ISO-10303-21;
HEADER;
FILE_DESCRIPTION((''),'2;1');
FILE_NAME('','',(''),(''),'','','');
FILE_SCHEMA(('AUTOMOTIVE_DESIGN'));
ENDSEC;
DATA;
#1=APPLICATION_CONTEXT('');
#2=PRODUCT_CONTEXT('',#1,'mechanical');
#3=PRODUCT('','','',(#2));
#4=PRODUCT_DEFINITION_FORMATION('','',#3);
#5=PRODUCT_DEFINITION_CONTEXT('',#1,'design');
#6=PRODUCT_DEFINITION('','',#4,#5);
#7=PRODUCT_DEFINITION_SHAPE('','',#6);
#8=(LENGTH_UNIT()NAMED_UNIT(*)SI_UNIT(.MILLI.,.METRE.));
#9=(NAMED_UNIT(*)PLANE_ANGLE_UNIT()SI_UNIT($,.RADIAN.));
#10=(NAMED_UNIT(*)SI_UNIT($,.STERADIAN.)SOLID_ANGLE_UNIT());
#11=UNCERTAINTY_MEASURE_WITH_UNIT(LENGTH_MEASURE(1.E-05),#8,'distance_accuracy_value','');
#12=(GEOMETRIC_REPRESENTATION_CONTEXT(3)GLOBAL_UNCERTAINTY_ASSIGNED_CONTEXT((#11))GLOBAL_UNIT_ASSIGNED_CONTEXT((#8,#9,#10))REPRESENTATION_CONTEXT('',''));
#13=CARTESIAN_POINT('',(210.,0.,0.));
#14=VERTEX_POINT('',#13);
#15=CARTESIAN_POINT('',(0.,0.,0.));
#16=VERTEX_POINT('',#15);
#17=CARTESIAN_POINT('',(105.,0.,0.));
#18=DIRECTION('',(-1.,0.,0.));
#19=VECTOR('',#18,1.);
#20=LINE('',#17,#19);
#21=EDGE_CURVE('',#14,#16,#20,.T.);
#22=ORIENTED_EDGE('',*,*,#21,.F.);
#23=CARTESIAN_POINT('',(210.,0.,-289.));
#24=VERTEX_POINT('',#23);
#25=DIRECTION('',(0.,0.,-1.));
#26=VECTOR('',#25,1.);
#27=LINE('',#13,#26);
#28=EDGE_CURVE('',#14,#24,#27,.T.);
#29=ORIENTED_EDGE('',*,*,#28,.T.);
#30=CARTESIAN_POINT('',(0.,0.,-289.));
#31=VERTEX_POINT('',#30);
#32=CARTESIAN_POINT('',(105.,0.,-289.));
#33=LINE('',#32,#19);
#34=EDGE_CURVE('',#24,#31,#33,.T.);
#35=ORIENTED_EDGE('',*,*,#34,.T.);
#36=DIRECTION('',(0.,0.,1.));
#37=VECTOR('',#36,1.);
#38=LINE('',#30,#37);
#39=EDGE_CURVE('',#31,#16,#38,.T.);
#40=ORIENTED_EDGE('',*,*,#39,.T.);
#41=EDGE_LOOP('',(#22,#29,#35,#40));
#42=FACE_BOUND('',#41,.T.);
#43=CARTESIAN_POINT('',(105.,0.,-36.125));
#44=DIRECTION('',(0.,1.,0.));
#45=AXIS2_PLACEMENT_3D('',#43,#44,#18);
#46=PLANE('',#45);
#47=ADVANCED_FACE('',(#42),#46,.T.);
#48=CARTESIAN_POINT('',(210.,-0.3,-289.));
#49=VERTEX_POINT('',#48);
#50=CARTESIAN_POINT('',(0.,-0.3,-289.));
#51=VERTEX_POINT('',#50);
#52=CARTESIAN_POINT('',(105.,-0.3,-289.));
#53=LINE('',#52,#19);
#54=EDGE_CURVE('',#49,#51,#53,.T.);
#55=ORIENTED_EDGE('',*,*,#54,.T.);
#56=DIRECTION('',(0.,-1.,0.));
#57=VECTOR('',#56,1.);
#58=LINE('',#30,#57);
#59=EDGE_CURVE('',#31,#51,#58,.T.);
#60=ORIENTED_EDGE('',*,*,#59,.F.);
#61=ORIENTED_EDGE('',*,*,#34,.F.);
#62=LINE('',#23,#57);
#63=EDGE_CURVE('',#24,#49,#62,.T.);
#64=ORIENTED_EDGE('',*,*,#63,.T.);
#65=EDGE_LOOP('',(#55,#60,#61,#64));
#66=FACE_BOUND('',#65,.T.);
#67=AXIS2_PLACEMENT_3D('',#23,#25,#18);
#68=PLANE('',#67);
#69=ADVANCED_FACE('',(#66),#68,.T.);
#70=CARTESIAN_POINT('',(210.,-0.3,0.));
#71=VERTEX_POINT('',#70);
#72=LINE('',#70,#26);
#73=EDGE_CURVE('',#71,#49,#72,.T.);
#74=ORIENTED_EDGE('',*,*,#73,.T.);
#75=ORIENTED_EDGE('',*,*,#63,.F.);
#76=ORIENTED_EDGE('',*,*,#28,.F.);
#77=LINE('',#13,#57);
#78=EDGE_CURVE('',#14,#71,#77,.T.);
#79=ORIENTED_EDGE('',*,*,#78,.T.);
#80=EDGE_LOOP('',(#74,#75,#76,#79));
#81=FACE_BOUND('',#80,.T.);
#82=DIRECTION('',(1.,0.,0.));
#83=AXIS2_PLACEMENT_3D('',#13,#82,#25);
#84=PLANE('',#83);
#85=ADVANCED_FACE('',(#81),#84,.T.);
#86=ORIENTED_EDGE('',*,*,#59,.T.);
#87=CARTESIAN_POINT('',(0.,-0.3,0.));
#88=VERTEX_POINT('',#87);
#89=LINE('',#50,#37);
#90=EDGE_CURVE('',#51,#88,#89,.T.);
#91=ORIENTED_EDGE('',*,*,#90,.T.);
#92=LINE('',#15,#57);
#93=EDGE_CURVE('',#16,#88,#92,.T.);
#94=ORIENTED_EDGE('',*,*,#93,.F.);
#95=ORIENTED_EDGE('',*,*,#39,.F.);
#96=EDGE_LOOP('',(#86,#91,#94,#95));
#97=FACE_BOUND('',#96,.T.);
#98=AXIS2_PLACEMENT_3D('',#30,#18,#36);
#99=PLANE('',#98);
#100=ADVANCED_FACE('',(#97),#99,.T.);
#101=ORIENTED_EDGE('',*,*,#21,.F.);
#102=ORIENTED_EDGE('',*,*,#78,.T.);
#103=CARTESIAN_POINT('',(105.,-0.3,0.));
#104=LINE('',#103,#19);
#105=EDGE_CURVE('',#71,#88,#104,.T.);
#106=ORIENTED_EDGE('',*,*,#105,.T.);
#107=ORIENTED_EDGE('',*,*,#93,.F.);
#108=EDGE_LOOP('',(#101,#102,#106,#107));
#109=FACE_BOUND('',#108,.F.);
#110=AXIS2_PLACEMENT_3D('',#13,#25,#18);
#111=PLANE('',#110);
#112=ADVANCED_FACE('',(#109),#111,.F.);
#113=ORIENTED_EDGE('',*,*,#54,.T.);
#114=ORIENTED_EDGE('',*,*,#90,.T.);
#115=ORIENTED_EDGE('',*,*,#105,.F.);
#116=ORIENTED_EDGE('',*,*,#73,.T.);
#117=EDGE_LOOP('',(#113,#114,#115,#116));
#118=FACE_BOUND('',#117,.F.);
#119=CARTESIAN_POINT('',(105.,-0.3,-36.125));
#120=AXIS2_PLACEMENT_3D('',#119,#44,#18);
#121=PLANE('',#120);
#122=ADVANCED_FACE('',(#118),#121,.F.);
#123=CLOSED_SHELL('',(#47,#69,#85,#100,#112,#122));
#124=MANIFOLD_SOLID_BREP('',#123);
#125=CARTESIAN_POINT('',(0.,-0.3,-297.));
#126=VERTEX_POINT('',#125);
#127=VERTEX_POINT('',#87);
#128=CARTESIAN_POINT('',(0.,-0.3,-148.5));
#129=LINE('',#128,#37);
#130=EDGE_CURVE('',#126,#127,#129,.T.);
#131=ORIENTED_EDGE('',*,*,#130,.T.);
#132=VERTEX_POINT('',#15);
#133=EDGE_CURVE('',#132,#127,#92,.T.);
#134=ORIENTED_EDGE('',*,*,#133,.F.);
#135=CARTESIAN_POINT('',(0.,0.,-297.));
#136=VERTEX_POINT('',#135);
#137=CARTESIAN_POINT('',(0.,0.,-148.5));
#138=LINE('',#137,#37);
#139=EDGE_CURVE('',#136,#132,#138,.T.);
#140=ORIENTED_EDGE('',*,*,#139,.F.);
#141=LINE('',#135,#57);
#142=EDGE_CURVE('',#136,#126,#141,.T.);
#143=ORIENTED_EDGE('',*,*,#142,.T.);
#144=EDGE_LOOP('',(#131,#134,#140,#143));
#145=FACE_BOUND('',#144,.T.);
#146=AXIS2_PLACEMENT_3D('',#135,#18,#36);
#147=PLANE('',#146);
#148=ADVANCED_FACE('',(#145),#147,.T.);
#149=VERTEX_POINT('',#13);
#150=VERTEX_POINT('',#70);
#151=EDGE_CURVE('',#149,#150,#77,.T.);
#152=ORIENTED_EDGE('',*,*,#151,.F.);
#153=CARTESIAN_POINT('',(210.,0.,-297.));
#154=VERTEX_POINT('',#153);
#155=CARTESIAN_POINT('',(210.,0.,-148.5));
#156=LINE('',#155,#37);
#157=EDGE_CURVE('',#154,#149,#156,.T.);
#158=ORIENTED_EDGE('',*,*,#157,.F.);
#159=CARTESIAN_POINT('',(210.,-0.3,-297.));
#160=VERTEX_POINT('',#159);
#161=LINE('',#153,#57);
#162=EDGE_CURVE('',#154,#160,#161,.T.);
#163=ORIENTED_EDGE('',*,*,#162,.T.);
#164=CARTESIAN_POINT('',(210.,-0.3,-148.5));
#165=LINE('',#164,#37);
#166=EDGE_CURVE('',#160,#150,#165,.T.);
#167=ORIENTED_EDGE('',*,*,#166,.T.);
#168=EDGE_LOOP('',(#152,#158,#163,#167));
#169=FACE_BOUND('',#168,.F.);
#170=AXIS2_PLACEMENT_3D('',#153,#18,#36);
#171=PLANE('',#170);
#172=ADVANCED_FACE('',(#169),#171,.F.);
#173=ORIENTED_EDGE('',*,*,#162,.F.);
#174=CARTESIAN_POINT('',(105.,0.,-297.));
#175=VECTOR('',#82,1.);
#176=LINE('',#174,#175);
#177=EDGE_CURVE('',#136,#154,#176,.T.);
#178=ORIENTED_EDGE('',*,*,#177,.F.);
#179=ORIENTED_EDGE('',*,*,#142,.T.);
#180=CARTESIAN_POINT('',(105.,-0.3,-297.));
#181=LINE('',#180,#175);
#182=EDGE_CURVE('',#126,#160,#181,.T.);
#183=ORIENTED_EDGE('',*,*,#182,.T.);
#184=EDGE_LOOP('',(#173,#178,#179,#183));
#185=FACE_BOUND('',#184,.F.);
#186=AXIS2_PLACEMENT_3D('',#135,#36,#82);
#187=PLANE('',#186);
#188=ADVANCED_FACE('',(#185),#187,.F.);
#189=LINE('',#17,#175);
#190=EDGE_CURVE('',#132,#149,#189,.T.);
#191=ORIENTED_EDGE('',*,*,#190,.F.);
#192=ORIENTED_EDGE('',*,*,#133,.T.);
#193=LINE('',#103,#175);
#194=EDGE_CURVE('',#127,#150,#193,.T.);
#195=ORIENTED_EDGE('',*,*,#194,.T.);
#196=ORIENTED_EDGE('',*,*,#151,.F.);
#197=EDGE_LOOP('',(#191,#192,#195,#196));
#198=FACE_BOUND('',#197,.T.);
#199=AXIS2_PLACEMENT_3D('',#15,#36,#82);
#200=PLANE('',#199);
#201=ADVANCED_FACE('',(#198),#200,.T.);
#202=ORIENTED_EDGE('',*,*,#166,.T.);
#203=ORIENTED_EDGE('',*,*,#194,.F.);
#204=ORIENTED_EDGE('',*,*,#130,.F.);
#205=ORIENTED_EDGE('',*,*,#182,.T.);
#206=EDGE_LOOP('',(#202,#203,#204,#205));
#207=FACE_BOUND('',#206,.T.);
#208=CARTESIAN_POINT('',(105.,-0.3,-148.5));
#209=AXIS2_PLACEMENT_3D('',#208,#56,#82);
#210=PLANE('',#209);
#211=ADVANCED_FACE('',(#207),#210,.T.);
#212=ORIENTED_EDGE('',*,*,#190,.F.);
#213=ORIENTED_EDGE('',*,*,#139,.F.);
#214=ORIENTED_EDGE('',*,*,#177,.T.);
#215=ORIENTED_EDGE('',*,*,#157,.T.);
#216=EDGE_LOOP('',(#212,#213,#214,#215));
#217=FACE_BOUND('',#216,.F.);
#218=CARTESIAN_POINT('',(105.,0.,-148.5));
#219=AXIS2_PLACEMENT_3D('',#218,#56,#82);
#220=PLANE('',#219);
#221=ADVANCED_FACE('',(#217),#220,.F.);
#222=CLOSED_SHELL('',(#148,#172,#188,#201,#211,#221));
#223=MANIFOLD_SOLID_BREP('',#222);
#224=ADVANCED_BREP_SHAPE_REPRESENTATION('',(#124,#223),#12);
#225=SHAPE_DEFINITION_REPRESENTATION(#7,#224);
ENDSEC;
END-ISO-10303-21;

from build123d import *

# Parameters (mm, degrees)
F0_W     = 210
F0_H     = 297
F1_DEPTH = 0.3
F2_W     = 210
F2_H     = 72.25
F3_DEPTH = 0.3


with BuildPart() as f1:
    # F0 (on Front) → F1 (new body)
    with BuildSketch(Plane.XZ):
        with Locations((105, -148.5)):
            Rectangle(F0_W, F0_H)
    extrude(amount=F1_DEPTH)


with BuildPart() as f3:
    # F2 (on face) → F3 (new body)
    with BuildSketch(Plane(origin=(0, 0, 0), x_dir=(-1, 0, 0), z_dir=(0, 1, 0))):
        with Locations((-105, -36.125)):
            Rectangle(F2_W, F2_H)
        with Locations((-105, -108.375)):
            Rectangle(F2_W, F2_H)
        with Locations((-105, -180.625)):
            Rectangle(F2_W, F2_H)
        with Locations((-105, -252.875)):
            Rectangle(F2_W, F2_H)
    extrude(amount=-F3_DEPTH)


solid = Compound([f1.part, f3.part])
